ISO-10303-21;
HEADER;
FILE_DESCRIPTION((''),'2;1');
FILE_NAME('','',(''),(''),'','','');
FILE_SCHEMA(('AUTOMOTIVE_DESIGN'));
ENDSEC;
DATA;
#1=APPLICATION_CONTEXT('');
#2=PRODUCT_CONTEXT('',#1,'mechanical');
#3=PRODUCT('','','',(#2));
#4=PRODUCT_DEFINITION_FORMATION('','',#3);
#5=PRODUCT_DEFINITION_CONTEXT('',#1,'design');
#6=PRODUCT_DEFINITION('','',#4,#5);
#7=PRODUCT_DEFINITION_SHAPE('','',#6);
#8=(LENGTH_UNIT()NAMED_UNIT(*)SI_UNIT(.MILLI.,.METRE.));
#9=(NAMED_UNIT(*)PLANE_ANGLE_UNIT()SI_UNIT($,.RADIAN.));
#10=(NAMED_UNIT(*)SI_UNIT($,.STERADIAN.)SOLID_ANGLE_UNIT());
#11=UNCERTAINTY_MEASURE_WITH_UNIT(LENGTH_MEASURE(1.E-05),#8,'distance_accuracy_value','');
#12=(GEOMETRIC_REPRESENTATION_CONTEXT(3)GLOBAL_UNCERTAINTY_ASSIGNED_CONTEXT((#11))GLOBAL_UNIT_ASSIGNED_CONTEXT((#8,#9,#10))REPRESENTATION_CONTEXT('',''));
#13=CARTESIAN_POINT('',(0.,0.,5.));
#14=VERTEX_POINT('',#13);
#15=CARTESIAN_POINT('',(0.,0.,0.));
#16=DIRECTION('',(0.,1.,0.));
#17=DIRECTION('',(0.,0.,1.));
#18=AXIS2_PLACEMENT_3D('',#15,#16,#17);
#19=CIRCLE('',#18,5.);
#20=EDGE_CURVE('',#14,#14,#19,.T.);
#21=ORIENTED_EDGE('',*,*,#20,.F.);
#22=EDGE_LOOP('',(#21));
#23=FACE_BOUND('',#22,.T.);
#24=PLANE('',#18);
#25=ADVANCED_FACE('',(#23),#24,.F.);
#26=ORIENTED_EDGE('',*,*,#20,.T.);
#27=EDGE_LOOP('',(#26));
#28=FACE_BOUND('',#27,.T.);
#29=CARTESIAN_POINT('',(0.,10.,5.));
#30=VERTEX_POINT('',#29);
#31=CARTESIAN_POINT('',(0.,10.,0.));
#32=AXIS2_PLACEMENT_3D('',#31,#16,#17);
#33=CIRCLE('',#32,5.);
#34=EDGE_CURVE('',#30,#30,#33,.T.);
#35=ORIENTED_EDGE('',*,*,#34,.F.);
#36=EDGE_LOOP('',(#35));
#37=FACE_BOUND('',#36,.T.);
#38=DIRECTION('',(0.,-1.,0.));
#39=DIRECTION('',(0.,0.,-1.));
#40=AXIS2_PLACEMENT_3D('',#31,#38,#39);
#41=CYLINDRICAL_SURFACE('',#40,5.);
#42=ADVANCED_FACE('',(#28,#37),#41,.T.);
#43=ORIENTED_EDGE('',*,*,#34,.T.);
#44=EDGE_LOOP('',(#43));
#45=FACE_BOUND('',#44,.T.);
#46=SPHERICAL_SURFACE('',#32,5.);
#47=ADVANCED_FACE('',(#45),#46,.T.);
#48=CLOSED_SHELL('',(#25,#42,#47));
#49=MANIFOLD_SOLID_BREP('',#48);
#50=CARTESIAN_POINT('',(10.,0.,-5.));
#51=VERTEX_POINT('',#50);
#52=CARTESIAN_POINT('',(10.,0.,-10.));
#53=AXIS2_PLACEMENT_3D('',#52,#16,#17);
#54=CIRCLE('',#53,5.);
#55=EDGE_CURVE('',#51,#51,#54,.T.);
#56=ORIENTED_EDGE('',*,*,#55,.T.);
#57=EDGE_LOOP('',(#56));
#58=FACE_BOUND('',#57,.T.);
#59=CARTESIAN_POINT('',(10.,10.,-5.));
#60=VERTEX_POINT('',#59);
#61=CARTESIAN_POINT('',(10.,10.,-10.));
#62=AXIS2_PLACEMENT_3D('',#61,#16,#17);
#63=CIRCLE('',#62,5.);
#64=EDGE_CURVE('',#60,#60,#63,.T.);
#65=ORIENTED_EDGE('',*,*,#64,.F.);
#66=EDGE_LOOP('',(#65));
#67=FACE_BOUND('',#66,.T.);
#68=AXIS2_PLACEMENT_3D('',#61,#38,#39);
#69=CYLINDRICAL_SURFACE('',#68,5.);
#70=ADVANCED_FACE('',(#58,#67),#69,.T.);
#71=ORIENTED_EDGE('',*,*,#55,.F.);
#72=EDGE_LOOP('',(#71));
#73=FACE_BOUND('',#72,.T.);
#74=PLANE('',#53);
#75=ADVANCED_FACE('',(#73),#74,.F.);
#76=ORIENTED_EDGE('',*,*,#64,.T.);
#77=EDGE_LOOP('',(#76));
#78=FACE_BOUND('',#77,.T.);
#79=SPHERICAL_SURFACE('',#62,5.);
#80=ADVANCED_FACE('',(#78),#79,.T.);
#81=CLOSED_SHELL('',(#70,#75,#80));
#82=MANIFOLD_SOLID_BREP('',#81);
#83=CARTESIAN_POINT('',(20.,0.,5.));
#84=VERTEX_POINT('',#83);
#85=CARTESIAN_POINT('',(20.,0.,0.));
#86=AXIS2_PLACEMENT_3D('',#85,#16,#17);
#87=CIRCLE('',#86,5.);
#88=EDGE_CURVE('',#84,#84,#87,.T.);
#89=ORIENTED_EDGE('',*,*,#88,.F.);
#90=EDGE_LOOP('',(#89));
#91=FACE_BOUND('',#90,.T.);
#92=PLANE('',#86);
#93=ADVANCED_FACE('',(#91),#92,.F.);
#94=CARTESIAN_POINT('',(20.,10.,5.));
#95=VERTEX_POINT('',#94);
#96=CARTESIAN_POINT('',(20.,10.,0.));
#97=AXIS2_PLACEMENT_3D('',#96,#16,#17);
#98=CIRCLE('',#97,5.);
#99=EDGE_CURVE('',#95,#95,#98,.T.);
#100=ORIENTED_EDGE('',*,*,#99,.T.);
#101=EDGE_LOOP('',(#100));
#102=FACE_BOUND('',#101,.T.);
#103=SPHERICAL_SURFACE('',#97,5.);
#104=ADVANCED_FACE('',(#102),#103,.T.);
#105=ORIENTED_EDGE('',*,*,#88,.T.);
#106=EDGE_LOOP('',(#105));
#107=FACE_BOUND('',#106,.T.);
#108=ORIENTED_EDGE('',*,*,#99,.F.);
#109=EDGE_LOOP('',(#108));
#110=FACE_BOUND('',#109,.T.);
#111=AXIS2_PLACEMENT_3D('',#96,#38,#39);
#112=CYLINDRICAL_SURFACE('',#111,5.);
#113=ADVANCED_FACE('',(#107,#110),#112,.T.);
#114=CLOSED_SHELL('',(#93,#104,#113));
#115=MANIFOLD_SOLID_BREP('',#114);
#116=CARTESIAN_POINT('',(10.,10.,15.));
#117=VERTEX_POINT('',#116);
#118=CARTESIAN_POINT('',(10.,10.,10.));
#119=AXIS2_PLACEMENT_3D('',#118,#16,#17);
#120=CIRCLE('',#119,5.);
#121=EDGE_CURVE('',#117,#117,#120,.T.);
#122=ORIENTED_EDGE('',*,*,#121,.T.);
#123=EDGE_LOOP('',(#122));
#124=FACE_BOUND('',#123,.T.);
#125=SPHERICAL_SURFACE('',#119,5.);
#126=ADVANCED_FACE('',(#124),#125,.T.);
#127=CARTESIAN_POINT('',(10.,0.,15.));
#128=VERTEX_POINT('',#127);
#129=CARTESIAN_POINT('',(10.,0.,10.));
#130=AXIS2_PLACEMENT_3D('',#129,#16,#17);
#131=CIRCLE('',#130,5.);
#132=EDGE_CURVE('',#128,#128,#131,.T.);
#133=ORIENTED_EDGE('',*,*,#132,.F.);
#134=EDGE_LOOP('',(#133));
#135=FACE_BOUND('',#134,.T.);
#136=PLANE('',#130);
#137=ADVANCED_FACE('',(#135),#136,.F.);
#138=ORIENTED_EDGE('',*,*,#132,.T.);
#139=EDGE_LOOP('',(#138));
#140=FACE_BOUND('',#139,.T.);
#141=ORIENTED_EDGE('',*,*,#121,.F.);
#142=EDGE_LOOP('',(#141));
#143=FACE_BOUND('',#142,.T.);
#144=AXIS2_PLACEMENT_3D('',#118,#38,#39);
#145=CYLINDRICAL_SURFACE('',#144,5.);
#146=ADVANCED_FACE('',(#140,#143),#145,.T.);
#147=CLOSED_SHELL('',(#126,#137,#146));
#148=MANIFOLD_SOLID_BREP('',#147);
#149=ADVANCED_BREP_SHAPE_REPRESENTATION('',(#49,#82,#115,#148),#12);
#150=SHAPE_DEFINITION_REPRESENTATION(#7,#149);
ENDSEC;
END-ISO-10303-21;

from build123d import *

# Parameters (mm, degrees)
SKETCH1_R             = 5
BOSS_EXTRUDE1_DEPTH   = 10
BOSS_EXTRUDE1_2_DEPTH = 10
BOSS_EXTRUDE1_3_DEPTH = 10
BOSS_EXTRUDE1_4_DEPTH = 10
DOME4_FACE_RADIUS     = 5
DOME4_HEIGHT          = 5
DOME5_FACE_RADIUS     = 5
DOME5_HEIGHT          = 5
DOME6_FACE_RADIUS     = 5
DOME6_HEIGHT          = 5
DOME7_FACE_RADIUS     = 5
DOME7_HEIGHT          = 5


with BuildPart() as part:
    # Sketch1 → Boss-Extrude1 (new body)
    with BuildSketch(Plane(origin=(0, 0, 0), x_dir=(1, 0, 0), z_dir=(0, 1, 0))):
        with Locations(Location((0, 0, 0), (0, 0, 270))):
            Circle(SKETCH1_R)
    extrude(amount=BOSS_EXTRUDE1_DEPTH)

    # Dome4: a dome of height H over a round flat face of radius A is a cap of a sphere of radius (A * A + H * H) / (2 * H)
    dome4_r = (DOME4_FACE_RADIUS * DOME4_FACE_RADIUS + DOME4_HEIGHT * DOME4_HEIGHT) / (2 * DOME4_HEIGHT)
    dome4_base = Plane((0, 10, 0), z_dir=(0, 1, 0))
    with Locations(dome4_base.offset(DOME4_HEIGHT - dome4_r)):
        dome4_ball = Sphere(dome4_r, mode=Mode.PRIVATE)
    add(split(dome4_ball, bisect_by=dome4_base, keep=Keep.TOP, mode=Mode.PRIVATE))


with BuildPart() as body_2:
    # Sketch1 → Boss-Extrude1 2 (new body)
    with BuildSketch(Plane(origin=(0, 0, 0), x_dir=(1, 0, 0), z_dir=(0, 1, 0))):
        with Locations(Location((10, 10, 0), (0, 0, 270))):
            Circle(SKETCH1_R)
    extrude(amount=BOSS_EXTRUDE1_2_DEPTH)

    # Dome5: a dome of height H over a round flat face of radius A is a cap of a sphere of radius (A * A + H * H) / (2 * H)
    dome5_r = (DOME5_FACE_RADIUS * DOME5_FACE_RADIUS + DOME5_HEIGHT * DOME5_HEIGHT) / (2 * DOME5_HEIGHT)
    dome5_base = Plane((10, 10, -10), z_dir=(0, 1, 0))
    with Locations(dome5_base.offset(DOME5_HEIGHT - dome5_r)):
        dome5_ball = Sphere(dome5_r, mode=Mode.PRIVATE)
    add(split(dome5_ball, bisect_by=dome5_base, keep=Keep.TOP, mode=Mode.PRIVATE))


with BuildPart() as body_3:
    # Sketch1 → Boss-Extrude1 3 (new body)
    with BuildSketch(Plane(origin=(0, 0, 0), x_dir=(1, 0, 0), z_dir=(0, 1, 0))):
        with Locations(Location((20, 0, 0), (0, 0, 270))):
            Circle(SKETCH1_R)
    extrude(amount=BOSS_EXTRUDE1_3_DEPTH)

    # Dome6: a dome of height H over a round flat face of radius A is a cap of a sphere of radius (A * A + H * H) / (2 * H)
    dome6_r = (DOME6_FACE_RADIUS * DOME6_FACE_RADIUS + DOME6_HEIGHT * DOME6_HEIGHT) / (2 * DOME6_HEIGHT)
    dome6_base = Plane((20, 10, 0), z_dir=(0, 1, 0))
    with Locations(dome6_base.offset(DOME6_HEIGHT - dome6_r)):
        dome6_ball = Sphere(dome6_r, mode=Mode.PRIVATE)
    add(split(dome6_ball, bisect_by=dome6_base, keep=Keep.TOP, mode=Mode.PRIVATE))


with BuildPart() as body_4:
    # Sketch1 → Boss-Extrude1 4 (new body)
    with BuildSketch(Plane(origin=(0, 0, 0), x_dir=(1, 0, 0), z_dir=(0, 1, 0))):
        with Locations(Location((10, -10, 0), (0, 0, 270))):
            Circle(SKETCH1_R)
    extrude(amount=BOSS_EXTRUDE1_4_DEPTH)

    # Dome7: a dome of height H over a round flat face of radius A is a cap of a sphere of radius (A * A + H * H) / (2 * H)
    dome7_r = (DOME7_FACE_RADIUS * DOME7_FACE_RADIUS + DOME7_HEIGHT * DOME7_HEIGHT) / (2 * DOME7_HEIGHT)
    dome7_base = Plane((10, 10, 10), z_dir=(0, 1, 0))
    with Locations(dome7_base.offset(DOME7_HEIGHT - dome7_r)):
        dome7_ball = Sphere(dome7_r, mode=Mode.PRIVATE)
    add(split(dome7_ball, bisect_by=dome7_base, keep=Keep.TOP, mode=Mode.PRIVATE))


solid = Compound([part.part, body_2.part, body_3.part, body_4.part])
